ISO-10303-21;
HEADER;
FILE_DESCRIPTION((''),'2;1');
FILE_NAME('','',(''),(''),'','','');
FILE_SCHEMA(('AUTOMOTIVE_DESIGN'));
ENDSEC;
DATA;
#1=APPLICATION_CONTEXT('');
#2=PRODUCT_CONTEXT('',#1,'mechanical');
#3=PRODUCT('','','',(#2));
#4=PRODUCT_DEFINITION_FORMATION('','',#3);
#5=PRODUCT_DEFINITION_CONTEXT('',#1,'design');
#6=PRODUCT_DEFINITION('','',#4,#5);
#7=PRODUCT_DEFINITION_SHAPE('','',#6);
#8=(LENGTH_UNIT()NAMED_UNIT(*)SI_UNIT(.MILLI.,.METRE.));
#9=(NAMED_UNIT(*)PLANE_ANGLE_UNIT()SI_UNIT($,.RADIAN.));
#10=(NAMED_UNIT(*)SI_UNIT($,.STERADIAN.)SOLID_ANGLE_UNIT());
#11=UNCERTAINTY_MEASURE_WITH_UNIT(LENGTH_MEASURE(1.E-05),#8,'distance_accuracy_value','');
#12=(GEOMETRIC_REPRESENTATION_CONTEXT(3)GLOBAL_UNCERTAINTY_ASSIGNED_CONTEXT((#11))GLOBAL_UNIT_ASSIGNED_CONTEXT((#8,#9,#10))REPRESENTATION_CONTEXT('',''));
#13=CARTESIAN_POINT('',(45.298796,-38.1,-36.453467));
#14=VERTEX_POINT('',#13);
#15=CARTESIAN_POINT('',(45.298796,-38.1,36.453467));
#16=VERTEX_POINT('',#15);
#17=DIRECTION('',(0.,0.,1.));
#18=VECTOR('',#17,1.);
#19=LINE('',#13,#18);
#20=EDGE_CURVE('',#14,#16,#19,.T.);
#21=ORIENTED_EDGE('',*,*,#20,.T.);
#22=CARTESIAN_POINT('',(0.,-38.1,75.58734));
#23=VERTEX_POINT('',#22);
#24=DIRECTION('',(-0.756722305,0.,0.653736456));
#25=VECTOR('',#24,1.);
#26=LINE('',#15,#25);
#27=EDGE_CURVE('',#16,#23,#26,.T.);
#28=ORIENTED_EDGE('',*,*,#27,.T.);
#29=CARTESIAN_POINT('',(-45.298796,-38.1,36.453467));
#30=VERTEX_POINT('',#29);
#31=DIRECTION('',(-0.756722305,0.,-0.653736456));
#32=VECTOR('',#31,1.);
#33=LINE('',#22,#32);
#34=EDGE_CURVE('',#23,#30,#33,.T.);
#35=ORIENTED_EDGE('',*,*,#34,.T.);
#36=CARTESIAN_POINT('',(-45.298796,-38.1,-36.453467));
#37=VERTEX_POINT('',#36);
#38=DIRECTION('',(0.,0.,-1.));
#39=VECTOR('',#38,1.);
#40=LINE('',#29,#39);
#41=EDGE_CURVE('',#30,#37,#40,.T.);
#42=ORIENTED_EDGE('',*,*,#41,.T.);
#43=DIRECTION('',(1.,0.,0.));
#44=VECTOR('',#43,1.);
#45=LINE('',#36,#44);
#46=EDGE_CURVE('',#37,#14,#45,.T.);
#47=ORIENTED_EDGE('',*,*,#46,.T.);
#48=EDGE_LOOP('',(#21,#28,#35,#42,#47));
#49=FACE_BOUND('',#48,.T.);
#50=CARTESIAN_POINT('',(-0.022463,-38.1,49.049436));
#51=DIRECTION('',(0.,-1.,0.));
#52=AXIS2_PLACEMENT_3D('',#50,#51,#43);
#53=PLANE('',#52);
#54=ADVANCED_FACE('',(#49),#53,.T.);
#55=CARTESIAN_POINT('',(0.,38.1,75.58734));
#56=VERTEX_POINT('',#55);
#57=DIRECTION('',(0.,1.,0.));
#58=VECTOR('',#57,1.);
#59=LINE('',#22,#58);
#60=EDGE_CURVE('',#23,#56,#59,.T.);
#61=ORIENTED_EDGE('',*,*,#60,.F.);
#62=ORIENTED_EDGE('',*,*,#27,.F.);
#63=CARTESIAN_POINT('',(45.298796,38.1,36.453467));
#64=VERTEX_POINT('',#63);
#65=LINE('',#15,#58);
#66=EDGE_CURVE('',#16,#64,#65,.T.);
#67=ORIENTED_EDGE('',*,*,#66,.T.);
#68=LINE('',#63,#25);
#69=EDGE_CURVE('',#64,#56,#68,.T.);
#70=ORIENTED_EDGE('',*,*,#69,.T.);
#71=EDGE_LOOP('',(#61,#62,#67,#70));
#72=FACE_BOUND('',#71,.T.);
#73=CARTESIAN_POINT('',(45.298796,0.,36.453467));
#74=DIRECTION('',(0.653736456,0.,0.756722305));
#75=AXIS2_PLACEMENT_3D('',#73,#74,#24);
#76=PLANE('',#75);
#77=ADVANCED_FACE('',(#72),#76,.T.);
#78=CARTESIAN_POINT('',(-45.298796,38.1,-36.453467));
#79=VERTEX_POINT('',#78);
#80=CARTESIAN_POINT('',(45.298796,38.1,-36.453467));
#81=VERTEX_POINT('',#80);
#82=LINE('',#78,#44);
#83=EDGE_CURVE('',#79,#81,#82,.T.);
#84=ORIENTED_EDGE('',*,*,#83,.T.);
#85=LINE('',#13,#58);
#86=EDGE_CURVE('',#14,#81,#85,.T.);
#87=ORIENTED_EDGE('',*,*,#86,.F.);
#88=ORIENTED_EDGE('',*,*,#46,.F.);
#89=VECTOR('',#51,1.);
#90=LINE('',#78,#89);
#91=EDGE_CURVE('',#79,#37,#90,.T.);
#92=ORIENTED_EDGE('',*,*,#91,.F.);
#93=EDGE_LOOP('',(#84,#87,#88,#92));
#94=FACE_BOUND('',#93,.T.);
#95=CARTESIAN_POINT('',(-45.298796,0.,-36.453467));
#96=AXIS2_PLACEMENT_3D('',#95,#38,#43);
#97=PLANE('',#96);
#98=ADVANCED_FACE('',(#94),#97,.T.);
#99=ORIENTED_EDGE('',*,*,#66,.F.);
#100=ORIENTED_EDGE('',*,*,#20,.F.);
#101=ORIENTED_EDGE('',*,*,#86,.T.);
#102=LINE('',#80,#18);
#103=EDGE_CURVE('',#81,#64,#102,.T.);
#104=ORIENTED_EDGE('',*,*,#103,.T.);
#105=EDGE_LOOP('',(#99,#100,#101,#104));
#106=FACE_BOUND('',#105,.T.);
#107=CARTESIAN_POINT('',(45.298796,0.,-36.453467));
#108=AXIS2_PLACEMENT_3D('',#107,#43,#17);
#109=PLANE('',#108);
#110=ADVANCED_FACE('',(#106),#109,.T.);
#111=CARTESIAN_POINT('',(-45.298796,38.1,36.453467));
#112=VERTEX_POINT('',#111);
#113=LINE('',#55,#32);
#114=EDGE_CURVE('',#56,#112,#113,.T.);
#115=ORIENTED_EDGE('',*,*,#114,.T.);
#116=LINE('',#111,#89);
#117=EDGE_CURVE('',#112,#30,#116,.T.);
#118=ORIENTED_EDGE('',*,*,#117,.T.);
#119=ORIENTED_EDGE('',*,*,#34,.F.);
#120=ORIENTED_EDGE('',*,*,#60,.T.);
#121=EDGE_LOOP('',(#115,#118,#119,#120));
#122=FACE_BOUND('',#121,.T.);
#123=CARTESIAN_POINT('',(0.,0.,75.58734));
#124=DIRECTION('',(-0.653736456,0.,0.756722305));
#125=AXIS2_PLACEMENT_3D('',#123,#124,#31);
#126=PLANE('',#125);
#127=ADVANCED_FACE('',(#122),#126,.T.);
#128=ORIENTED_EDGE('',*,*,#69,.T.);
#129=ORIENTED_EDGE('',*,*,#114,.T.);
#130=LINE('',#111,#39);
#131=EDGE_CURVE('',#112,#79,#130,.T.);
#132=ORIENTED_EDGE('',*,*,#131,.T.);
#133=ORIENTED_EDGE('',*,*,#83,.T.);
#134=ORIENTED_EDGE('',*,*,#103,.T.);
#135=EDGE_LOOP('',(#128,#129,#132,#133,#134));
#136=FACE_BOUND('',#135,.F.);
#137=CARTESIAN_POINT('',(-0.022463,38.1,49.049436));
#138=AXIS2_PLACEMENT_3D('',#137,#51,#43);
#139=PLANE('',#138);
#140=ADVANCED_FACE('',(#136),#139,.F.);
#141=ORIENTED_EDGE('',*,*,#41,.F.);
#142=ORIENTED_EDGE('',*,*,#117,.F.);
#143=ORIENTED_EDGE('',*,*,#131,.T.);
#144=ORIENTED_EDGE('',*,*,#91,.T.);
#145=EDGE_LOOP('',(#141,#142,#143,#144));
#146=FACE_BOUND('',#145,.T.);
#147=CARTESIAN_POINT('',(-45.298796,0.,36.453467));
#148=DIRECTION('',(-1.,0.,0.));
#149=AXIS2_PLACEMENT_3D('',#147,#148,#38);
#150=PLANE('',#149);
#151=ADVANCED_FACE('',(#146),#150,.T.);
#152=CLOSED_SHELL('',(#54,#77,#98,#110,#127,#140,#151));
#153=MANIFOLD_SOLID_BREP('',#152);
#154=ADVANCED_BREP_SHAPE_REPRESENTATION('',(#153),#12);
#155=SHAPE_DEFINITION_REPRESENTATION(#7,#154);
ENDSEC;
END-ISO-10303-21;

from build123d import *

# Parameters (mm, degrees)
F0_W     = 18.4947745875
F0_H     = 21.1751759052
F0_H_2   = 7.2370842099
F1_DEPTH = 38.1


with BuildPart() as f1:
    # F0 (on Front) → F1 (new body, symmetric)
    with BuildSketch(Plane.XZ):
        Polygon((0, 75.5873396993), (-45.2987961471, 36.4534668624), (-9.3814069405, 36.4534668624), (-9.3814069405, 57.6286427677), (9.1133676469, 57.6286427677), (9.1133676469, 36.4534668624), (45.2987961471, 36.4534668624), align=None)
        Polygon((-9.3814069405, 36.4534668624), (-45.2987961471, 36.4534668624), (-45.2987961471, -36.4534668624), (45.2987961471, -36.4534668624), (45.2987961471, 36.4534668624), (9.1133676469, 36.4534668624), (9.1133676469, 29.2163826525), (-9.3814069405, 29.2163826525), align=None)
        with Locations((-0.1340196468, 47.0410548151)):
            Rectangle(F0_W, F0_H)
        with Locations((-0.1340196468, 32.8349247575)):
            Rectangle(F0_W, F0_H_2)
    extrude(amount=F1_DEPTH, both=True)


solid = f1.part
